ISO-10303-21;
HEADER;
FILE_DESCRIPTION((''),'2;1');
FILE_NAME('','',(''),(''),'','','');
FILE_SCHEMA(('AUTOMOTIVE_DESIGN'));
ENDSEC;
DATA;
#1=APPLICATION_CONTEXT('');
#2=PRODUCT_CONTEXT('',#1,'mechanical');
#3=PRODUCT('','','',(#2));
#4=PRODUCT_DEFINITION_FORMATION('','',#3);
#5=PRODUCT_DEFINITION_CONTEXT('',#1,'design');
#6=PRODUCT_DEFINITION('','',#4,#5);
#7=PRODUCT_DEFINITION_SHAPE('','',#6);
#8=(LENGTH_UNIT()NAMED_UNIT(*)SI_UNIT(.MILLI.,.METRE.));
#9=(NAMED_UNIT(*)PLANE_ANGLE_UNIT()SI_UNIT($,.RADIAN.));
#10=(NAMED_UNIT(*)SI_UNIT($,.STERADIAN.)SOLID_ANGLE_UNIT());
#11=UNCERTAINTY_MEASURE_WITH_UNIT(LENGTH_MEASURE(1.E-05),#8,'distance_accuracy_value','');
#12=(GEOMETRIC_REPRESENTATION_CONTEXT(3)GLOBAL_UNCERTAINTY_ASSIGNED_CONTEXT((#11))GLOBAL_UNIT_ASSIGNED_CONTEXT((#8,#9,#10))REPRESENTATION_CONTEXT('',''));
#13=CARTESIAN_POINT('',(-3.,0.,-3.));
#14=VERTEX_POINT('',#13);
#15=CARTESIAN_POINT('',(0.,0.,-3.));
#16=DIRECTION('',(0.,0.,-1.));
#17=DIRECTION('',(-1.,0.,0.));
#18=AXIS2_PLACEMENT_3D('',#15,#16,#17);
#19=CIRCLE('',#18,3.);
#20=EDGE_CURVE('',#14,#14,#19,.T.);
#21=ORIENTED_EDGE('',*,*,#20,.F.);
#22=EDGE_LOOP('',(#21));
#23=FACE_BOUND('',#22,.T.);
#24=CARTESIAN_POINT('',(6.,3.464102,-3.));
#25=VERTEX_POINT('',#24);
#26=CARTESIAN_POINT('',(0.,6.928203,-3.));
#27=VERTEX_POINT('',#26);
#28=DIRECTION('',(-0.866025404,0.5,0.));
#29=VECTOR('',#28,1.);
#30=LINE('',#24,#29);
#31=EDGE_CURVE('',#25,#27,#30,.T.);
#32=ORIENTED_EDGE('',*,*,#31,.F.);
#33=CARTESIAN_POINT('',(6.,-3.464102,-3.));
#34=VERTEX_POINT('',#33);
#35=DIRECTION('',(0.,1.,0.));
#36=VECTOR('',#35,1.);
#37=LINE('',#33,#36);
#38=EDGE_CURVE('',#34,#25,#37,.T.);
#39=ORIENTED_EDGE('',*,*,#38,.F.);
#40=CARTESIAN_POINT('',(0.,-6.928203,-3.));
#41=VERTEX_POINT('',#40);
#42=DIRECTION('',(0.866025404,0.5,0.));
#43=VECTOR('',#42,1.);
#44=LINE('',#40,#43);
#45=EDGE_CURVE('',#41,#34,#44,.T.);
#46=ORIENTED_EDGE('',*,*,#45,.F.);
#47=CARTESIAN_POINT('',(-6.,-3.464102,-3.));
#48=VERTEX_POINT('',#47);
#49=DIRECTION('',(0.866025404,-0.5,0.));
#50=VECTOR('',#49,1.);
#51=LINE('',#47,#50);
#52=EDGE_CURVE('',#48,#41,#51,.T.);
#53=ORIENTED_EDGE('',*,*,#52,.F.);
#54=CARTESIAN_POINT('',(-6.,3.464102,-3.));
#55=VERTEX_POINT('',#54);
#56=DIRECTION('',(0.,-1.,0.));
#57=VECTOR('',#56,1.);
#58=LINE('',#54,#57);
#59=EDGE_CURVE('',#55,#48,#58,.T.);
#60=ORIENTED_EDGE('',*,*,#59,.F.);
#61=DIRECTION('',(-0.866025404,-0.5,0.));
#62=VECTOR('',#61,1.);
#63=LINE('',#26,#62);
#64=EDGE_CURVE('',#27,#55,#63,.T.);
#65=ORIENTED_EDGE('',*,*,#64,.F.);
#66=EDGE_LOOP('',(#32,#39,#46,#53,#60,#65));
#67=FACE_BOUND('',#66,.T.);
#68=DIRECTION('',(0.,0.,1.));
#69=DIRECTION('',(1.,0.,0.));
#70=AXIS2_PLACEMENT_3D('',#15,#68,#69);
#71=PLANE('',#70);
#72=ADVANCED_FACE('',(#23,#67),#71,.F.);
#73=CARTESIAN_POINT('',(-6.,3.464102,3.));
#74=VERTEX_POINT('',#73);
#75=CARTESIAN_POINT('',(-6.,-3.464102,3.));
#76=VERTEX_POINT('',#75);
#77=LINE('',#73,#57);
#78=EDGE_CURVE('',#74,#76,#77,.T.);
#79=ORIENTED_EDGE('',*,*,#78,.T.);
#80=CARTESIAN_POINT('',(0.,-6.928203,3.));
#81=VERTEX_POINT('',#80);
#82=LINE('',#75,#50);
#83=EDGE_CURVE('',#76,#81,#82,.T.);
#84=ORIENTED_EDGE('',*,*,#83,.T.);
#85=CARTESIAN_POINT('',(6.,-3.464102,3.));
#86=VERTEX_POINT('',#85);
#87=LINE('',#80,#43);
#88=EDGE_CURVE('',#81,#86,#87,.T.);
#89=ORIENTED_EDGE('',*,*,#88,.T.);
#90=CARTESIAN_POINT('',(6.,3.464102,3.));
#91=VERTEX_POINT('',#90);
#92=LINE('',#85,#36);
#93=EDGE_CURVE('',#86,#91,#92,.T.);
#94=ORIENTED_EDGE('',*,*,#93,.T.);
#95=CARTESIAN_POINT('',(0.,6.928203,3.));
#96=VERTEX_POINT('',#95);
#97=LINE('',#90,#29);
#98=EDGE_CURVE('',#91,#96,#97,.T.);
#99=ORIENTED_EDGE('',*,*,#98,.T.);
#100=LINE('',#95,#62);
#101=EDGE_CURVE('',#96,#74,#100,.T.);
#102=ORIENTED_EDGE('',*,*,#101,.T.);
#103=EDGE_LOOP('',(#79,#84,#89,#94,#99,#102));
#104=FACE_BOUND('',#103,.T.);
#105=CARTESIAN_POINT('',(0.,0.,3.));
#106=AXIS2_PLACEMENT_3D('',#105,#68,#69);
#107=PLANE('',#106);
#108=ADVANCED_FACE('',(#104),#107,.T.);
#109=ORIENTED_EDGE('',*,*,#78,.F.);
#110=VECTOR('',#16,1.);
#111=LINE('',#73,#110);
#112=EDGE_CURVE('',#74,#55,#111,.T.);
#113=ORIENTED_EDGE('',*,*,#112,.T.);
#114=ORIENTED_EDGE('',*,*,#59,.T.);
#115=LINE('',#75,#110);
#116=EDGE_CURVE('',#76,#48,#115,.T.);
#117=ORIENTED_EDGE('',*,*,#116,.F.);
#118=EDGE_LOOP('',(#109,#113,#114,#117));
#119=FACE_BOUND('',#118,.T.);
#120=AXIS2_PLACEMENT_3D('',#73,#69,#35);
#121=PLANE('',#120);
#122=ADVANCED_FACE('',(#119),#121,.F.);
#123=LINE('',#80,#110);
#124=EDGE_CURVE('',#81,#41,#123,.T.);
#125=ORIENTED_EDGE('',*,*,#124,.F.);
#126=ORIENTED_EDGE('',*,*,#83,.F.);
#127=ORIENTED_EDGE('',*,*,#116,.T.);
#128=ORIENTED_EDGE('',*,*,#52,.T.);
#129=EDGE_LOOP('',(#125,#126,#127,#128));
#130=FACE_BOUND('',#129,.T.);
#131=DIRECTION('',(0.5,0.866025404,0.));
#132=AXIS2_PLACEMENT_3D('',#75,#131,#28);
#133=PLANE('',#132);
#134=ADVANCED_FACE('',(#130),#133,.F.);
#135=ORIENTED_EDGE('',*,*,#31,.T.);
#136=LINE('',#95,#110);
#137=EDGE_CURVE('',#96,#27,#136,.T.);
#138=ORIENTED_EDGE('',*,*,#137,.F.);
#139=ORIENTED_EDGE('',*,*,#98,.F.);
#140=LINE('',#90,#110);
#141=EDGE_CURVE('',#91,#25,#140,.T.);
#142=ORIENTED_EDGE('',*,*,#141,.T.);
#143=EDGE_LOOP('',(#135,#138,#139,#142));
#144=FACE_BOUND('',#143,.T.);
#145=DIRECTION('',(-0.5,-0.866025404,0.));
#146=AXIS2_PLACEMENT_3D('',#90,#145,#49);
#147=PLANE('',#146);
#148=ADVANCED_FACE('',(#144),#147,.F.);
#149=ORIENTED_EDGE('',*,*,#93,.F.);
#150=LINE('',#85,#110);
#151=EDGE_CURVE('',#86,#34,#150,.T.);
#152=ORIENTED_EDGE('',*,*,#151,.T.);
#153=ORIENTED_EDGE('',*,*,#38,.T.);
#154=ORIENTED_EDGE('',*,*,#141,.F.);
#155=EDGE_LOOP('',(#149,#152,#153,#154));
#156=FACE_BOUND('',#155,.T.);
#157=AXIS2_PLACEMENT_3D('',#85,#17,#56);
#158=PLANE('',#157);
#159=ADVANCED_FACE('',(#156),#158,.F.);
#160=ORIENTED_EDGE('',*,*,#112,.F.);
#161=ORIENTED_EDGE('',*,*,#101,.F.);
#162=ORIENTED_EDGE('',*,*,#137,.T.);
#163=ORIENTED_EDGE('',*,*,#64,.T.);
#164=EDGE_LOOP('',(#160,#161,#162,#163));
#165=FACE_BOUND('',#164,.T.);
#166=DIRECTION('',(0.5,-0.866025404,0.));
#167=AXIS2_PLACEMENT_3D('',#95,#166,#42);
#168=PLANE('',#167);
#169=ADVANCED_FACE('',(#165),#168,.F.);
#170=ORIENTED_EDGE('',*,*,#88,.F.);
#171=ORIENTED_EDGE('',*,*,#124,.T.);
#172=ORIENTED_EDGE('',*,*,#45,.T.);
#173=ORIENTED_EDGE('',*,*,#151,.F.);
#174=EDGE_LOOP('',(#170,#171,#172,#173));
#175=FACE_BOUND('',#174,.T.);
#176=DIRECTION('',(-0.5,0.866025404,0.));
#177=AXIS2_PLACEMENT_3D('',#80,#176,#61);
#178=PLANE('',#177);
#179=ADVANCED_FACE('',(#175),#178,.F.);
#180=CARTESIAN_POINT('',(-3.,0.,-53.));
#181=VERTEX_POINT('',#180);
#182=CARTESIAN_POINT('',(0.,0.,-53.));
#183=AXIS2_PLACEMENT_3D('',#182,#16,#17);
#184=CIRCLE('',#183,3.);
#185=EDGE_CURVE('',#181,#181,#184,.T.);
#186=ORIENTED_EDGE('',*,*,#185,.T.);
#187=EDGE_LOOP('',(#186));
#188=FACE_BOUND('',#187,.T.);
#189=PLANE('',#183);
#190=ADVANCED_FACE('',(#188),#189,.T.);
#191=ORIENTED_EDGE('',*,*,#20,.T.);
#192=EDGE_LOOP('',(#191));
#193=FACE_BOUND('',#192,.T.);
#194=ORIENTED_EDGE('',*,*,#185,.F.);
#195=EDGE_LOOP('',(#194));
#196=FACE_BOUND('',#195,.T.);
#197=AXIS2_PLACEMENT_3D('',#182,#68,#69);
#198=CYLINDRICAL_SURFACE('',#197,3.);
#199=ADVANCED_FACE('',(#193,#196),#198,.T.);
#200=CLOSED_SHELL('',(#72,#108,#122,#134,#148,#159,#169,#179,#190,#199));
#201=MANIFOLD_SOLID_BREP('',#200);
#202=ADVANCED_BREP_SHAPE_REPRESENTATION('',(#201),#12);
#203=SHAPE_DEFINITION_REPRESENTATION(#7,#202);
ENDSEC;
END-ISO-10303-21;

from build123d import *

# Parameters (mm, degrees)
BOSS_EXTRUDE2_DEPTH = 3
SKETCH5_R           = 3
BOSS_EXTRUDE3_DEPTH = 50


with BuildPart() as part:
    # Sketch4 → Boss-Extrude2 (new, symmetric)
    with BuildSketch(Plane.XY):
        Polygon((0, 6.92820323), (-6, 3.464101615), (-6, -3.464101615), (0, -6.92820323), (6, -3.464101615), (6, 3.464101615), align=None)
    extrude(amount=BOSS_EXTRUDE2_DEPTH, both=True)

    # Sketch5 → Boss-Extrude3 (add)
    with BuildSketch(Plane(origin=(0, 0, -3), x_dir=(-1, 0, 0), z_dir=(0, 0, -1))):
        Circle(SKETCH5_R)
    extrude(amount=BOSS_EXTRUDE3_DEPTH)


solid = part.part
